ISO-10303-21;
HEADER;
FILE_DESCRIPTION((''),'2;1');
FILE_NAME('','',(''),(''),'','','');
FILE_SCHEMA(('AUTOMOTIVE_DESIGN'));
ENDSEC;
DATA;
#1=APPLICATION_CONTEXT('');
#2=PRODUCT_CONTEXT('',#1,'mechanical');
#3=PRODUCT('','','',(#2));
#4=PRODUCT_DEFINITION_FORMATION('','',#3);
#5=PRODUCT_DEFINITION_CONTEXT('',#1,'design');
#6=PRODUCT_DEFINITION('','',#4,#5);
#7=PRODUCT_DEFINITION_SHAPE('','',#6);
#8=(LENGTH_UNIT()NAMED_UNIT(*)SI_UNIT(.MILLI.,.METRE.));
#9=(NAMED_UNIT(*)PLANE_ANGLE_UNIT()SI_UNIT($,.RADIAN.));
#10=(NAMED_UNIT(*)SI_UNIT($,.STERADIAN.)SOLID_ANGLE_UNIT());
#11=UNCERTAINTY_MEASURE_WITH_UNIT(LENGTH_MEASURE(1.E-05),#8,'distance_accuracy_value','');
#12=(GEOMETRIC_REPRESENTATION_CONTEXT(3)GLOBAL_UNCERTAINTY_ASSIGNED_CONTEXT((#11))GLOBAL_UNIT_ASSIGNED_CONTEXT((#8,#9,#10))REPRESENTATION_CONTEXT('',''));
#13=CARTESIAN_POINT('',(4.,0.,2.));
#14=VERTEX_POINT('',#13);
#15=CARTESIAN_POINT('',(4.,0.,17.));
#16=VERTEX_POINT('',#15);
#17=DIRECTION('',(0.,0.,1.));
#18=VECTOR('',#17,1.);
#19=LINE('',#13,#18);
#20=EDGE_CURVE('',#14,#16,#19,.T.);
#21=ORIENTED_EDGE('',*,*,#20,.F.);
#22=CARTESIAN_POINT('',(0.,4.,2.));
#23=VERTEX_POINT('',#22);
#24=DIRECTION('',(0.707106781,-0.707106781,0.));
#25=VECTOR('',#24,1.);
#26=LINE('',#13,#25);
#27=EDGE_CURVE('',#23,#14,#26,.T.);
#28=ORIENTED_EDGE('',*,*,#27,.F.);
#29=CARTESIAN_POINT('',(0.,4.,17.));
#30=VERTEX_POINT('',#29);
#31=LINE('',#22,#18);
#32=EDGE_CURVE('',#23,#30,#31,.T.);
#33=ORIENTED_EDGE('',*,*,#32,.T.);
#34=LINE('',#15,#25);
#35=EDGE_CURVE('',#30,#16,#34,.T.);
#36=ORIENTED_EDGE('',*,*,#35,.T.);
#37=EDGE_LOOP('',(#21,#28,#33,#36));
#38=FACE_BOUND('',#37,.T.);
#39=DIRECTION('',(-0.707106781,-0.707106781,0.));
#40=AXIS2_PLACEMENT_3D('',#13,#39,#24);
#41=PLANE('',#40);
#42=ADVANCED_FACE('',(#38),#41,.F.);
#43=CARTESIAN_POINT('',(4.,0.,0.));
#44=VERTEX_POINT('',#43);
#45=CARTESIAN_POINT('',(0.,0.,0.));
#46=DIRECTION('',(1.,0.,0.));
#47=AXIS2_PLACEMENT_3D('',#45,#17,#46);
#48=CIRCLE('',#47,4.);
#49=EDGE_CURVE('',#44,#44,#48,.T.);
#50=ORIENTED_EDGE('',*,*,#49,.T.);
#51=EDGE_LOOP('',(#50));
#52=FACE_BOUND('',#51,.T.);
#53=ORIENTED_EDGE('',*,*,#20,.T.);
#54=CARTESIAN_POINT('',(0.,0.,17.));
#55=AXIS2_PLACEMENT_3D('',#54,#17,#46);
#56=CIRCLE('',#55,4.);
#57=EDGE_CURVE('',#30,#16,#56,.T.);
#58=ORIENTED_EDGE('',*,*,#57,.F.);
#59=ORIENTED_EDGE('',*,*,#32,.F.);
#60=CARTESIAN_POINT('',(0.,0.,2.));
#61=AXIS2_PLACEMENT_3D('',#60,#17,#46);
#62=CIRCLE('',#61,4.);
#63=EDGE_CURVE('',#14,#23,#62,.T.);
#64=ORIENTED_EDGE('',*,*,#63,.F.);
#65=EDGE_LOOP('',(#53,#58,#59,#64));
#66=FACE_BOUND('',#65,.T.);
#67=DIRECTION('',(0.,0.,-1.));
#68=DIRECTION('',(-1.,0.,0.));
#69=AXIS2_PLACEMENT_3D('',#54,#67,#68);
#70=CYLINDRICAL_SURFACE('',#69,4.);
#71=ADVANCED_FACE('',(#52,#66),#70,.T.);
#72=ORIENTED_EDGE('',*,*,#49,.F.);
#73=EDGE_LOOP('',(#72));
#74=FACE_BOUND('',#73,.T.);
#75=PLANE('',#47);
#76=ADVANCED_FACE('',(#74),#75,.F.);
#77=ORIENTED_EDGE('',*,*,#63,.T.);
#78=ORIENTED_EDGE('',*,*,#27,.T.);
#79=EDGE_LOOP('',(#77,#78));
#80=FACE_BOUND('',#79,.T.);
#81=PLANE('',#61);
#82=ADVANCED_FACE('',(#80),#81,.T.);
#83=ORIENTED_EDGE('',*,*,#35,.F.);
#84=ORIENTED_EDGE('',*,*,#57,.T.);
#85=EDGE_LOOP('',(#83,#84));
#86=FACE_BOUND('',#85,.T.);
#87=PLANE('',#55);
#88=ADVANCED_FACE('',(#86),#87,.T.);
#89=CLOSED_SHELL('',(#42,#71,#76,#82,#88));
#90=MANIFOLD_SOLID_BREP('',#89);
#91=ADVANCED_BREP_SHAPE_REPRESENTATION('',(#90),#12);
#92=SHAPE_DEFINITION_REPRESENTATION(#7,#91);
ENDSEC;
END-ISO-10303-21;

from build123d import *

# Parameters (mm, degrees)
SKETCH1_R           = 4
BOSS_EXTRUDE1_DEPTH = 17
CUT_EXTRUDE1_DEPTH  = 15


with BuildPart() as part:
    # Sketch1 → Boss-Extrude1 (new body)
    with BuildSketch(Plane.XY):
        Circle(SKETCH1_R)
    extrude(amount=BOSS_EXTRUDE1_DEPTH)

    # Sketch2 → Cut-Extrude1 (cut)
    with BuildSketch(Plane.XY.offset(17)):
        Polygon((4, 0), (0, 4), (1.431984917, 5.431984917), (5.431984917, 1.431984917), align=None)
    extrude(amount=-CUT_EXTRUDE1_DEPTH, mode=Mode.SUBTRACT)


solid = part.part
